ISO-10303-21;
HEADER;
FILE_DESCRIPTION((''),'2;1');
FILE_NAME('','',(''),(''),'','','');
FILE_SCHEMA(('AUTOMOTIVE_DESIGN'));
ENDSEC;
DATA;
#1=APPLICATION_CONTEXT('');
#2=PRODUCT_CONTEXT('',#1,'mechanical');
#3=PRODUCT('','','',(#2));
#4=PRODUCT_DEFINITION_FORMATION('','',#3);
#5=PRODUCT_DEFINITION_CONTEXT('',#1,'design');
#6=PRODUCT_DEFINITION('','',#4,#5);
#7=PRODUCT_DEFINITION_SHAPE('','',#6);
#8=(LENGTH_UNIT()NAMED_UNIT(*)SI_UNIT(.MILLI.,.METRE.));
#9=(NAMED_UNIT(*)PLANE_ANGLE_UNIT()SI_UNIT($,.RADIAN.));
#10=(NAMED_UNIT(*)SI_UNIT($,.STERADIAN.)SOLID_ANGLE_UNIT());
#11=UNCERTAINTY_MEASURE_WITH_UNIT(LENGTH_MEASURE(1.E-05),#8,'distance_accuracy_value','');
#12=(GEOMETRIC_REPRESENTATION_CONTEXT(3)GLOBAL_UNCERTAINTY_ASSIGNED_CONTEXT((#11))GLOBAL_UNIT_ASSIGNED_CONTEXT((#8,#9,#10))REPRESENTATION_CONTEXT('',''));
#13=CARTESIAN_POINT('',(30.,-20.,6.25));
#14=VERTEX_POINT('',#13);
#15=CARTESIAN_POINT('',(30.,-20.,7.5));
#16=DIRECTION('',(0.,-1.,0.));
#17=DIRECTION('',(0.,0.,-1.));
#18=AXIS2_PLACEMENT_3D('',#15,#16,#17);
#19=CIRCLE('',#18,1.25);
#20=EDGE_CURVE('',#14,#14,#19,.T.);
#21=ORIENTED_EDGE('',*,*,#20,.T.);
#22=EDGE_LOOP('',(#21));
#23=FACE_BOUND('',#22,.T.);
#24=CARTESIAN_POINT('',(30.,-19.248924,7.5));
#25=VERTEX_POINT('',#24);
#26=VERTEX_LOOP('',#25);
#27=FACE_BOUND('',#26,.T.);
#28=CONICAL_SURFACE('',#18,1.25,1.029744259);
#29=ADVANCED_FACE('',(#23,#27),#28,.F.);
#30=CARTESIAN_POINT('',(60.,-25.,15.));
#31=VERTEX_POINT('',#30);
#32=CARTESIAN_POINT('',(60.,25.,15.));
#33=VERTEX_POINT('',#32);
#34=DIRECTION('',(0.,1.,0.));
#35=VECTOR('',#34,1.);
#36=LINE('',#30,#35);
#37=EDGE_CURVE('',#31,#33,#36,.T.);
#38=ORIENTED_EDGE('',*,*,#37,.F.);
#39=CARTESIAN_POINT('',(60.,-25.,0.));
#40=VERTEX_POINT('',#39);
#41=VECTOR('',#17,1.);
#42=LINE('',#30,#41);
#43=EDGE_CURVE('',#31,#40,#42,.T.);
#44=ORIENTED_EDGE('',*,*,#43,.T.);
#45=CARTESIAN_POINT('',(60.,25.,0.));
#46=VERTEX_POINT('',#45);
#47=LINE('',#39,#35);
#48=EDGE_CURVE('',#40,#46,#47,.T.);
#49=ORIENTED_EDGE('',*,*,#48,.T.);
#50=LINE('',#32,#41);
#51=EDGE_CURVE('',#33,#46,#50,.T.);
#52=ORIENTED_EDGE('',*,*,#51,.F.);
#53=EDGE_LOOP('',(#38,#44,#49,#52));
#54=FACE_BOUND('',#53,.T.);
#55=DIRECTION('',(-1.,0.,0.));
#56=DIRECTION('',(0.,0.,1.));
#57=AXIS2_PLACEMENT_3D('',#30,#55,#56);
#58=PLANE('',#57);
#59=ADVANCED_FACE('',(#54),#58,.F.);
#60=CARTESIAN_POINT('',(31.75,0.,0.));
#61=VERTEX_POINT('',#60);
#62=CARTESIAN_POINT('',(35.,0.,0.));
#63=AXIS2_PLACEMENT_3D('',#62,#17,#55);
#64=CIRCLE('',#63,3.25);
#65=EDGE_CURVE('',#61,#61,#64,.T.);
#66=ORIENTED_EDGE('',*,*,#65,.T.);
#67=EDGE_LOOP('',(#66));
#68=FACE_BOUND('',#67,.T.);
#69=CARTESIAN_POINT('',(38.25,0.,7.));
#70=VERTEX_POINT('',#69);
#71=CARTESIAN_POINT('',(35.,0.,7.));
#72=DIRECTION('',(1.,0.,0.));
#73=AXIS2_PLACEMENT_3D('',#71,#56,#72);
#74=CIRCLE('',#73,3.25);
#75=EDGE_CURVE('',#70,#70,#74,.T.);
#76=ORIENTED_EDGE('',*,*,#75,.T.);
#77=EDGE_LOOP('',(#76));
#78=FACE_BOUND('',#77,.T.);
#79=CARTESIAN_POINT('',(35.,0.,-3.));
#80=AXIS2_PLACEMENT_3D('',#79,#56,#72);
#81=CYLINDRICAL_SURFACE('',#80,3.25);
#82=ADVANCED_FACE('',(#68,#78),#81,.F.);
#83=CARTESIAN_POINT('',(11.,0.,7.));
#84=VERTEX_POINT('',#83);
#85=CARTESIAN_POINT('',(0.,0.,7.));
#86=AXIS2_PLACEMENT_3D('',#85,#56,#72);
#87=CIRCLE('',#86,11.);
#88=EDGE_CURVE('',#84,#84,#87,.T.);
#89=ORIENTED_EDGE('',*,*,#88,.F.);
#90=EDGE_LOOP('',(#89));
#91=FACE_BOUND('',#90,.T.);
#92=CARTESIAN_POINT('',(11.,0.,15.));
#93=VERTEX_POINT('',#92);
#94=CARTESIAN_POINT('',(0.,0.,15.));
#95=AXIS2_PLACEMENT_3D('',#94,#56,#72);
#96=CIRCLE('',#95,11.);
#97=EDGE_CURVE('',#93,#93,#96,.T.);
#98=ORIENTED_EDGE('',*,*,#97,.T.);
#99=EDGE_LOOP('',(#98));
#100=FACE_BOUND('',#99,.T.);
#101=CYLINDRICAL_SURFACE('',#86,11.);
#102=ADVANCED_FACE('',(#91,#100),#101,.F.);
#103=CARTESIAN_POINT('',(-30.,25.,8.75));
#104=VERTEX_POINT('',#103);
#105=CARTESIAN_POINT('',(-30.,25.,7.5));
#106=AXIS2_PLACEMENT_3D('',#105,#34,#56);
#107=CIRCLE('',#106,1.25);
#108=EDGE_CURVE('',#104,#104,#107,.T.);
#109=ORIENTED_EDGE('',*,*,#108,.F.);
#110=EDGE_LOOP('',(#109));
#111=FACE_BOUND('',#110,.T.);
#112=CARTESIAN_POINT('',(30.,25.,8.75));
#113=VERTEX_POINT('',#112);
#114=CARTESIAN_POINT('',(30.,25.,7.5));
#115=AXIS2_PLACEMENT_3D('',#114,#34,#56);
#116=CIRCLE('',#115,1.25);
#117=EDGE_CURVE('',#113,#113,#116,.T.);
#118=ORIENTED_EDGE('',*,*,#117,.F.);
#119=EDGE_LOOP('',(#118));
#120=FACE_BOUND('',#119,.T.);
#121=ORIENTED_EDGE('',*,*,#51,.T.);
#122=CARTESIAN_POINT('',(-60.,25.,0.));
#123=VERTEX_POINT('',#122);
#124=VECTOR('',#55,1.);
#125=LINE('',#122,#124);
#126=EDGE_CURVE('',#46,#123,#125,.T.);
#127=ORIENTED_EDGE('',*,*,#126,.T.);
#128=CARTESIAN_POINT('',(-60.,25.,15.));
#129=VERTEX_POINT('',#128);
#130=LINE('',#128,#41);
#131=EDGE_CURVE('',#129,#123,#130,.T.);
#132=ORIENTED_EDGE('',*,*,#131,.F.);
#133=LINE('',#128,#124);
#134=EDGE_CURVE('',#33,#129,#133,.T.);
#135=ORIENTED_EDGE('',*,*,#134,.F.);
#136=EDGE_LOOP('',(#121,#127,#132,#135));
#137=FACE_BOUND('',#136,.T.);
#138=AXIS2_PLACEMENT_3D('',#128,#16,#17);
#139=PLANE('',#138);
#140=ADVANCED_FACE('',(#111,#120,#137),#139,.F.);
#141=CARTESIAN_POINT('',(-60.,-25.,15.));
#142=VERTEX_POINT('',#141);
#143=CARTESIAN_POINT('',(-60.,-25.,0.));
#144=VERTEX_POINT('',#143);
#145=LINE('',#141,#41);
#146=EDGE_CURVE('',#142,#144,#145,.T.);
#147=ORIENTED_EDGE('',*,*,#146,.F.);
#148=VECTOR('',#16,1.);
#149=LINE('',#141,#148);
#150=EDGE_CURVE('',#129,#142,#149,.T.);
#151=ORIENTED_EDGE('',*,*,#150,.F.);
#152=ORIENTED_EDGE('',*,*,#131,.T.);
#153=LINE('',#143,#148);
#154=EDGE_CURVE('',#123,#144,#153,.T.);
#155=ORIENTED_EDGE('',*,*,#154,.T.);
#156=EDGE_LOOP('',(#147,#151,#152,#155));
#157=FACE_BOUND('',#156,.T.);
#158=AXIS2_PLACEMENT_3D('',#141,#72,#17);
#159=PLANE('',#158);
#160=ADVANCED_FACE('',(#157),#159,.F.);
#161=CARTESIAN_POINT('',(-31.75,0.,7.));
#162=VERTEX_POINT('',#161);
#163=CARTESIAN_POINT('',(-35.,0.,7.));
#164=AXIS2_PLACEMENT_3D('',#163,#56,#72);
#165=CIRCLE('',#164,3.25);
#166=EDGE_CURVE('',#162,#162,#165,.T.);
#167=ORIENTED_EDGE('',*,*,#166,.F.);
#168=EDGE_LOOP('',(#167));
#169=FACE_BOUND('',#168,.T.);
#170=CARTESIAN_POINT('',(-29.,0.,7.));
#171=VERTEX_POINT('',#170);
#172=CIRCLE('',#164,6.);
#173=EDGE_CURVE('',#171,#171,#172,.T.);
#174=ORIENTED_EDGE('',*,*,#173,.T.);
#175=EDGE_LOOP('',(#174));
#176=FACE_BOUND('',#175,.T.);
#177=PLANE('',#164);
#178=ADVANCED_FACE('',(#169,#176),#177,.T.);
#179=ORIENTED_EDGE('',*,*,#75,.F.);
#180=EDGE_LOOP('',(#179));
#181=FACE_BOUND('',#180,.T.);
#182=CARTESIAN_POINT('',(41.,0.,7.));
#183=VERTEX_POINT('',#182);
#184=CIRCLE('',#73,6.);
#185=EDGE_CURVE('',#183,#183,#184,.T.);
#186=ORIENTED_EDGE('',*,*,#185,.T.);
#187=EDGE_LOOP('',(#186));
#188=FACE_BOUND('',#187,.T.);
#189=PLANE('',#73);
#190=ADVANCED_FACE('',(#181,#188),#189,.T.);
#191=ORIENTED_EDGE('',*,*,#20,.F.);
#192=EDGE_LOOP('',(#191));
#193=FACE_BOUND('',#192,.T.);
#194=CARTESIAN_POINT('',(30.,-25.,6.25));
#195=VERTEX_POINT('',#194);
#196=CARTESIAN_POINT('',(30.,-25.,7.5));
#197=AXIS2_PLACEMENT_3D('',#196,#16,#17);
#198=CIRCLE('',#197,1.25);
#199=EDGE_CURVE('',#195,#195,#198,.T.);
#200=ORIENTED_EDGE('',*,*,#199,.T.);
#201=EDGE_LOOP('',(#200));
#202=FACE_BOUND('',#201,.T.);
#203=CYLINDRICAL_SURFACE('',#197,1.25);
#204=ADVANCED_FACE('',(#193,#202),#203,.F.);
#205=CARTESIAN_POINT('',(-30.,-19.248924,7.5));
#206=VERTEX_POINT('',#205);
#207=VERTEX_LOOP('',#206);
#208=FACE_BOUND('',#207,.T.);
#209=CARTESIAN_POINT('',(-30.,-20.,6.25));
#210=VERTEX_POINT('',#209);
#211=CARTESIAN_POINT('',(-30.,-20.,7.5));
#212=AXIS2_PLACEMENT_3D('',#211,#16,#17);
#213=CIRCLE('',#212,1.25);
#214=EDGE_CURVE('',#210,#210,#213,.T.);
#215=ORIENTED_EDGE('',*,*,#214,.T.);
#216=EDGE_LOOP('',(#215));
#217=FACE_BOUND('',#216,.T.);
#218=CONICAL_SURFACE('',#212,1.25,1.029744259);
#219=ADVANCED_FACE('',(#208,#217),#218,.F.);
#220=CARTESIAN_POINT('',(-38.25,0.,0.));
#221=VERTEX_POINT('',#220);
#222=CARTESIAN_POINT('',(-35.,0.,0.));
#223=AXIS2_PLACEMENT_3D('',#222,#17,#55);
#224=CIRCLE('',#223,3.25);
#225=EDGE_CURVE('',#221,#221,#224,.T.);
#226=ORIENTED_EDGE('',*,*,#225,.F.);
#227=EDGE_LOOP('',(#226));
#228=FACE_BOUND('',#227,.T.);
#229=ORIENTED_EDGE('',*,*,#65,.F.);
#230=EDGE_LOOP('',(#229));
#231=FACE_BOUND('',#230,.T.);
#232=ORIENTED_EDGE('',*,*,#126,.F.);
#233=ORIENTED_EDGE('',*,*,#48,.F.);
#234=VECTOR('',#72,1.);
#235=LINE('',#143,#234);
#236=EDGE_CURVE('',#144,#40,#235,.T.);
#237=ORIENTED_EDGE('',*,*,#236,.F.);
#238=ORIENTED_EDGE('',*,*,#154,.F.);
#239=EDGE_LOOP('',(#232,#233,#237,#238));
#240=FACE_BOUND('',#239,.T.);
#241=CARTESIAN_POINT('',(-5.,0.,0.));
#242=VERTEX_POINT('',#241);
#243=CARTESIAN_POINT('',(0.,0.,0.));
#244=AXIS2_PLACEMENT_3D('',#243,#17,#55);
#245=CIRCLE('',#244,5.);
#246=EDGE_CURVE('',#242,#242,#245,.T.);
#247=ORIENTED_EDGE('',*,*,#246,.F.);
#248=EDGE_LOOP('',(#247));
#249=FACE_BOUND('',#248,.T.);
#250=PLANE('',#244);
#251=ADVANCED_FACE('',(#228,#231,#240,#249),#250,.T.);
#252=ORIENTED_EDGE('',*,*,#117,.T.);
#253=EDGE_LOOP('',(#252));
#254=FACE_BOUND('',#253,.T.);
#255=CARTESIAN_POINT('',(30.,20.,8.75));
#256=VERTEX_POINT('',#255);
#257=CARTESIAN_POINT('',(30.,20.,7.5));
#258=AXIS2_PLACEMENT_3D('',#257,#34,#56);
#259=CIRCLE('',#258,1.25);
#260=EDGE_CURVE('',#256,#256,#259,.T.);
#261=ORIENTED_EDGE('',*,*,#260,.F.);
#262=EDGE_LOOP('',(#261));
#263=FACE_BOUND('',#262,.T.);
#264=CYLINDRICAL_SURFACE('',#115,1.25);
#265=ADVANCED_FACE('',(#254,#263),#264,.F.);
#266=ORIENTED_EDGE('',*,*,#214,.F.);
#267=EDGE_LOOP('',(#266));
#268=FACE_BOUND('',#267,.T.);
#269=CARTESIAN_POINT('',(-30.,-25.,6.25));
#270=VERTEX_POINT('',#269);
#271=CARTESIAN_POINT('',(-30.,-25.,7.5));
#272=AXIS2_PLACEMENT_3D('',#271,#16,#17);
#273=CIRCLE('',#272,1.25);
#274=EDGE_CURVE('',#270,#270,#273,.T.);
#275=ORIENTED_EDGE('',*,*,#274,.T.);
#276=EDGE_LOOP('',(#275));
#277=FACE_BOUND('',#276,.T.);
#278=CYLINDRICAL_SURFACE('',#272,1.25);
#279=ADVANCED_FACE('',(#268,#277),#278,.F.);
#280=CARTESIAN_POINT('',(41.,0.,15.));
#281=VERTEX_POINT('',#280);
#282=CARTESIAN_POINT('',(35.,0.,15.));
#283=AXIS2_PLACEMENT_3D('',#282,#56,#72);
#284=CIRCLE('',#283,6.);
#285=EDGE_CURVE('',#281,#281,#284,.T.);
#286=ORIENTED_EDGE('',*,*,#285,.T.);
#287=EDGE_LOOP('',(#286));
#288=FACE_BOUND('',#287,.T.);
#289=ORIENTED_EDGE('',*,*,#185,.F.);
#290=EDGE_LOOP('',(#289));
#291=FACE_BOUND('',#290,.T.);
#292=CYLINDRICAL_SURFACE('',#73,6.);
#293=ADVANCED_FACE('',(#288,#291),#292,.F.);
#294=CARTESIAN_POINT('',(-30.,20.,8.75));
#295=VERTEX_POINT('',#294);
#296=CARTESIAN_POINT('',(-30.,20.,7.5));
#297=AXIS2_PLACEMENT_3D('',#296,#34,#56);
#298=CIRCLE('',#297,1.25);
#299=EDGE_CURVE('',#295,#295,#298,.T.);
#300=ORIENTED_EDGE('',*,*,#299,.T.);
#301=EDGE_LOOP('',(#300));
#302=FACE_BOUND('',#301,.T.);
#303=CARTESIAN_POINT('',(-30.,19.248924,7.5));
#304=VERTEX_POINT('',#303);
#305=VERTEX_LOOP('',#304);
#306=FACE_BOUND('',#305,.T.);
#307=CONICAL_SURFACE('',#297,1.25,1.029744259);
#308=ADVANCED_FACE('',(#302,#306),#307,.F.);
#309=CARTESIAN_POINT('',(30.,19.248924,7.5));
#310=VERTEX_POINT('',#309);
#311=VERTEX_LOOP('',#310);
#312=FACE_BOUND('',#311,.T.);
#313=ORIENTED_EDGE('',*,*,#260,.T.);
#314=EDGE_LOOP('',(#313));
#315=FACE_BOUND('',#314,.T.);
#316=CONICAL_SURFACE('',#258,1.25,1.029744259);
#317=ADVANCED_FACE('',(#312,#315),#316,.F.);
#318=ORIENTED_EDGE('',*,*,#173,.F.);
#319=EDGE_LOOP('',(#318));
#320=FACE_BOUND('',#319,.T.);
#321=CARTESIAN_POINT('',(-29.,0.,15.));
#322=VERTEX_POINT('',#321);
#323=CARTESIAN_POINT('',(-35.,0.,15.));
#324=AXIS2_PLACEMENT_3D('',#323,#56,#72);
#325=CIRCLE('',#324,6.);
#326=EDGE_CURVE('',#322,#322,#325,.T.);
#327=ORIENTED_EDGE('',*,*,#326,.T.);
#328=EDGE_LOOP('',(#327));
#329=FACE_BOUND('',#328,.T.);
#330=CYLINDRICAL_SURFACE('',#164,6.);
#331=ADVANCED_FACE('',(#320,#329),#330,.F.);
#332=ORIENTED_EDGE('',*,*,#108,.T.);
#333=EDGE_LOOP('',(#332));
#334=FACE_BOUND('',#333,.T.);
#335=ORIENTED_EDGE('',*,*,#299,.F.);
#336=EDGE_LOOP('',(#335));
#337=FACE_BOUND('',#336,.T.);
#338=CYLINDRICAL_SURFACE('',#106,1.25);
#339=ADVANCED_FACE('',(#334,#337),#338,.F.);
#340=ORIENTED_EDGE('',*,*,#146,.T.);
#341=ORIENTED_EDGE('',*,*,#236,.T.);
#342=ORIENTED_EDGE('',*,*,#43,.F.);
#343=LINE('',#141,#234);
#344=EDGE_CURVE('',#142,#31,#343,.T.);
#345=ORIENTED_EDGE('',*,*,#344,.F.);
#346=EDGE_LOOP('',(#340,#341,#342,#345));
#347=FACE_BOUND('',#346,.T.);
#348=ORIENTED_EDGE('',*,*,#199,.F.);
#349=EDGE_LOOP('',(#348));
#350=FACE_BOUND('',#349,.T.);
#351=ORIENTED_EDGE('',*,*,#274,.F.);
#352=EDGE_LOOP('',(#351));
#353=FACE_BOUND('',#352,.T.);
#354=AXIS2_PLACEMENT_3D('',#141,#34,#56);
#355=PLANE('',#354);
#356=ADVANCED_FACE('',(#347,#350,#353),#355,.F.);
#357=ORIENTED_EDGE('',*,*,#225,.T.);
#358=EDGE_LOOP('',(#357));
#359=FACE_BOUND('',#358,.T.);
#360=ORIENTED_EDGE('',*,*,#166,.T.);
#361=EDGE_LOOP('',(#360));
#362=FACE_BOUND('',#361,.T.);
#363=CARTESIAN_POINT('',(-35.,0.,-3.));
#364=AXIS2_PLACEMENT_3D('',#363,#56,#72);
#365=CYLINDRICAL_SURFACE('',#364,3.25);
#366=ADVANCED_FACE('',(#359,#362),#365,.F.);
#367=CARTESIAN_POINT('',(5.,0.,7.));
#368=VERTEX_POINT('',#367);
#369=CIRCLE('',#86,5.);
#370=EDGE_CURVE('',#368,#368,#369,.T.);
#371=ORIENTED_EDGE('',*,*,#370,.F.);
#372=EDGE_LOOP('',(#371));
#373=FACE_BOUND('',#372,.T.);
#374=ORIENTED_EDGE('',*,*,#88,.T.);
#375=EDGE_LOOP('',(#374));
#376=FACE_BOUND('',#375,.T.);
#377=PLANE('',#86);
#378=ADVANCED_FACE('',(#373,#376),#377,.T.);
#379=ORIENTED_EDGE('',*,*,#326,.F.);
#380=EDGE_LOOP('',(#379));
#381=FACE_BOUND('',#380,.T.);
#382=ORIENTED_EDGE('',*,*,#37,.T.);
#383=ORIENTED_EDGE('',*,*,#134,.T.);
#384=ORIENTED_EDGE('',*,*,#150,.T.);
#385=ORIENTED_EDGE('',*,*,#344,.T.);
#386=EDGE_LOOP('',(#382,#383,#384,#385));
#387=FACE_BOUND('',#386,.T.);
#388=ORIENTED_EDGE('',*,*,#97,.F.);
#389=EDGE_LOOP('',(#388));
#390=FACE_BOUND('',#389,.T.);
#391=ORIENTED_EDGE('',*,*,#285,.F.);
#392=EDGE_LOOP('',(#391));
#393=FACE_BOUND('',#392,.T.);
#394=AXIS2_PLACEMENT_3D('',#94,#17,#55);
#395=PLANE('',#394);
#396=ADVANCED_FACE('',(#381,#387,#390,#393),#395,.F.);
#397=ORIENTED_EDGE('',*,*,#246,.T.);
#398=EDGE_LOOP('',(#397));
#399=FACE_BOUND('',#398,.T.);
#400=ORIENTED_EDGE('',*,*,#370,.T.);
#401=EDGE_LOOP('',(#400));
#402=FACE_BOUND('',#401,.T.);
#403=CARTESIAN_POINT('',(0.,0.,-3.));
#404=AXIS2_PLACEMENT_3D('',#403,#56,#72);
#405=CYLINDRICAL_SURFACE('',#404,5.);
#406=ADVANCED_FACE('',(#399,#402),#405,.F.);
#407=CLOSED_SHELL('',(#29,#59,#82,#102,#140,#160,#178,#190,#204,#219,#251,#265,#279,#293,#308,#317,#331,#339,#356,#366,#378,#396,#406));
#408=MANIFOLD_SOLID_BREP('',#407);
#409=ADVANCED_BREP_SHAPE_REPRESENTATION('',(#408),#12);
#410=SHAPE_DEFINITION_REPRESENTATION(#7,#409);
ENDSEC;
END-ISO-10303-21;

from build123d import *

# Parameters (mm, degrees)
SKETCH_1_W             = 120
SKETCH_1_H             = 50
EXTRUDE_1_DEPTH        = 15
SKETCH_2_R             = 6
CUT_EXTRUDE_1_DEPTH    = 8
SKETCH_3_R             = 11
CUT_EXTRUDE_2_DEPTH    = 8
SKETCH_10_R            = 3.25
CUT_EXTRUDE_4_DEPTH    = 10
SKETCH_11_R            = 5
CUT_EXTRUDE_5_DEPTH    = 10
HOLE_WIZARD_M3_1_D     = 2.5
HOLE_WIZARD_M3_1_DEPTH = 5
HOLE_WIZARD_M3_1_TIP   = 0.751075774
HOLE_WIZARD_M3_2_D     = 2.5
HOLE_WIZARD_M3_2_DEPTH = 5
HOLE_WIZARD_M3_2_TIP   = 0.751075774


with BuildPart() as part:
    # 草图1 → 凸台-拉伸1 (new body)
    with BuildSketch(Plane.XY):
        Rectangle(SKETCH_1_W, SKETCH_1_H)
    extrude(amount=EXTRUDE_1_DEPTH)

    # 草图2 → 切除-拉伸1 (cut)
    with BuildSketch(Plane.XY.offset(15)):
        with Locations((-35, 0)):
            Circle(SKETCH_2_R)
        with Locations((35, 0)):
            Circle(SKETCH_2_R)
    extrude(amount=-CUT_EXTRUDE_1_DEPTH, mode=Mode.SUBTRACT)

    # 草图3 → 切除-拉伸2 (cut)
    with BuildSketch(Plane.XY.offset(15)):
        Circle(SKETCH_3_R)
    extrude(amount=-CUT_EXTRUDE_2_DEPTH, mode=Mode.SUBTRACT)

    # 草图10 → 切除-拉伸4 (cut)
    with BuildSketch(Plane.XY.offset(7)):
        with Locations((-35, 0)):
            Circle(SKETCH_10_R)
        with Locations((35, 0)):
            Circle(SKETCH_10_R)
    extrude(amount=-CUT_EXTRUDE_4_DEPTH, mode=Mode.SUBTRACT)

    # 草图11 → 切除-拉伸5 (cut)
    with BuildSketch(Plane.XY.offset(7)):
        Circle(SKETCH_11_R)
    extrude(amount=-CUT_EXTRUDE_5_DEPTH, mode=Mode.SUBTRACT)

    # M3 螺纹孔1
    with Locations(Plane(origin=(0, 25, 0), x_dir=(1, 0, 0), z_dir=(0, 1, 0))):
        with Locations((30, -7.5), (-30, -7.5)):
            Hole(HOLE_WIZARD_M3_1_D / 2, depth=HOLE_WIZARD_M3_1_DEPTH)
            with Locations((0, 0, -(HOLE_WIZARD_M3_1_DEPTH + HOLE_WIZARD_M3_1_TIP / 2))):  # 118° drill point
                Cone(0, HOLE_WIZARD_M3_1_D / 2, HOLE_WIZARD_M3_1_TIP, mode=Mode.SUBTRACT)

    # M3 螺纹孔2
    with Locations(Plane(origin=(0, -25, 0), x_dir=(-1, 0, 0), z_dir=(0, -1, 0))):
        with Locations((-30, -7.5), (30, -7.5)):
            Hole(HOLE_WIZARD_M3_2_D / 2, depth=HOLE_WIZARD_M3_2_DEPTH)
            with Locations((0, 0, -(HOLE_WIZARD_M3_2_DEPTH + HOLE_WIZARD_M3_2_TIP / 2))):  # 118° drill point
                Cone(0, HOLE_WIZARD_M3_2_D / 2, HOLE_WIZARD_M3_2_TIP, mode=Mode.SUBTRACT)


solid = part.part
